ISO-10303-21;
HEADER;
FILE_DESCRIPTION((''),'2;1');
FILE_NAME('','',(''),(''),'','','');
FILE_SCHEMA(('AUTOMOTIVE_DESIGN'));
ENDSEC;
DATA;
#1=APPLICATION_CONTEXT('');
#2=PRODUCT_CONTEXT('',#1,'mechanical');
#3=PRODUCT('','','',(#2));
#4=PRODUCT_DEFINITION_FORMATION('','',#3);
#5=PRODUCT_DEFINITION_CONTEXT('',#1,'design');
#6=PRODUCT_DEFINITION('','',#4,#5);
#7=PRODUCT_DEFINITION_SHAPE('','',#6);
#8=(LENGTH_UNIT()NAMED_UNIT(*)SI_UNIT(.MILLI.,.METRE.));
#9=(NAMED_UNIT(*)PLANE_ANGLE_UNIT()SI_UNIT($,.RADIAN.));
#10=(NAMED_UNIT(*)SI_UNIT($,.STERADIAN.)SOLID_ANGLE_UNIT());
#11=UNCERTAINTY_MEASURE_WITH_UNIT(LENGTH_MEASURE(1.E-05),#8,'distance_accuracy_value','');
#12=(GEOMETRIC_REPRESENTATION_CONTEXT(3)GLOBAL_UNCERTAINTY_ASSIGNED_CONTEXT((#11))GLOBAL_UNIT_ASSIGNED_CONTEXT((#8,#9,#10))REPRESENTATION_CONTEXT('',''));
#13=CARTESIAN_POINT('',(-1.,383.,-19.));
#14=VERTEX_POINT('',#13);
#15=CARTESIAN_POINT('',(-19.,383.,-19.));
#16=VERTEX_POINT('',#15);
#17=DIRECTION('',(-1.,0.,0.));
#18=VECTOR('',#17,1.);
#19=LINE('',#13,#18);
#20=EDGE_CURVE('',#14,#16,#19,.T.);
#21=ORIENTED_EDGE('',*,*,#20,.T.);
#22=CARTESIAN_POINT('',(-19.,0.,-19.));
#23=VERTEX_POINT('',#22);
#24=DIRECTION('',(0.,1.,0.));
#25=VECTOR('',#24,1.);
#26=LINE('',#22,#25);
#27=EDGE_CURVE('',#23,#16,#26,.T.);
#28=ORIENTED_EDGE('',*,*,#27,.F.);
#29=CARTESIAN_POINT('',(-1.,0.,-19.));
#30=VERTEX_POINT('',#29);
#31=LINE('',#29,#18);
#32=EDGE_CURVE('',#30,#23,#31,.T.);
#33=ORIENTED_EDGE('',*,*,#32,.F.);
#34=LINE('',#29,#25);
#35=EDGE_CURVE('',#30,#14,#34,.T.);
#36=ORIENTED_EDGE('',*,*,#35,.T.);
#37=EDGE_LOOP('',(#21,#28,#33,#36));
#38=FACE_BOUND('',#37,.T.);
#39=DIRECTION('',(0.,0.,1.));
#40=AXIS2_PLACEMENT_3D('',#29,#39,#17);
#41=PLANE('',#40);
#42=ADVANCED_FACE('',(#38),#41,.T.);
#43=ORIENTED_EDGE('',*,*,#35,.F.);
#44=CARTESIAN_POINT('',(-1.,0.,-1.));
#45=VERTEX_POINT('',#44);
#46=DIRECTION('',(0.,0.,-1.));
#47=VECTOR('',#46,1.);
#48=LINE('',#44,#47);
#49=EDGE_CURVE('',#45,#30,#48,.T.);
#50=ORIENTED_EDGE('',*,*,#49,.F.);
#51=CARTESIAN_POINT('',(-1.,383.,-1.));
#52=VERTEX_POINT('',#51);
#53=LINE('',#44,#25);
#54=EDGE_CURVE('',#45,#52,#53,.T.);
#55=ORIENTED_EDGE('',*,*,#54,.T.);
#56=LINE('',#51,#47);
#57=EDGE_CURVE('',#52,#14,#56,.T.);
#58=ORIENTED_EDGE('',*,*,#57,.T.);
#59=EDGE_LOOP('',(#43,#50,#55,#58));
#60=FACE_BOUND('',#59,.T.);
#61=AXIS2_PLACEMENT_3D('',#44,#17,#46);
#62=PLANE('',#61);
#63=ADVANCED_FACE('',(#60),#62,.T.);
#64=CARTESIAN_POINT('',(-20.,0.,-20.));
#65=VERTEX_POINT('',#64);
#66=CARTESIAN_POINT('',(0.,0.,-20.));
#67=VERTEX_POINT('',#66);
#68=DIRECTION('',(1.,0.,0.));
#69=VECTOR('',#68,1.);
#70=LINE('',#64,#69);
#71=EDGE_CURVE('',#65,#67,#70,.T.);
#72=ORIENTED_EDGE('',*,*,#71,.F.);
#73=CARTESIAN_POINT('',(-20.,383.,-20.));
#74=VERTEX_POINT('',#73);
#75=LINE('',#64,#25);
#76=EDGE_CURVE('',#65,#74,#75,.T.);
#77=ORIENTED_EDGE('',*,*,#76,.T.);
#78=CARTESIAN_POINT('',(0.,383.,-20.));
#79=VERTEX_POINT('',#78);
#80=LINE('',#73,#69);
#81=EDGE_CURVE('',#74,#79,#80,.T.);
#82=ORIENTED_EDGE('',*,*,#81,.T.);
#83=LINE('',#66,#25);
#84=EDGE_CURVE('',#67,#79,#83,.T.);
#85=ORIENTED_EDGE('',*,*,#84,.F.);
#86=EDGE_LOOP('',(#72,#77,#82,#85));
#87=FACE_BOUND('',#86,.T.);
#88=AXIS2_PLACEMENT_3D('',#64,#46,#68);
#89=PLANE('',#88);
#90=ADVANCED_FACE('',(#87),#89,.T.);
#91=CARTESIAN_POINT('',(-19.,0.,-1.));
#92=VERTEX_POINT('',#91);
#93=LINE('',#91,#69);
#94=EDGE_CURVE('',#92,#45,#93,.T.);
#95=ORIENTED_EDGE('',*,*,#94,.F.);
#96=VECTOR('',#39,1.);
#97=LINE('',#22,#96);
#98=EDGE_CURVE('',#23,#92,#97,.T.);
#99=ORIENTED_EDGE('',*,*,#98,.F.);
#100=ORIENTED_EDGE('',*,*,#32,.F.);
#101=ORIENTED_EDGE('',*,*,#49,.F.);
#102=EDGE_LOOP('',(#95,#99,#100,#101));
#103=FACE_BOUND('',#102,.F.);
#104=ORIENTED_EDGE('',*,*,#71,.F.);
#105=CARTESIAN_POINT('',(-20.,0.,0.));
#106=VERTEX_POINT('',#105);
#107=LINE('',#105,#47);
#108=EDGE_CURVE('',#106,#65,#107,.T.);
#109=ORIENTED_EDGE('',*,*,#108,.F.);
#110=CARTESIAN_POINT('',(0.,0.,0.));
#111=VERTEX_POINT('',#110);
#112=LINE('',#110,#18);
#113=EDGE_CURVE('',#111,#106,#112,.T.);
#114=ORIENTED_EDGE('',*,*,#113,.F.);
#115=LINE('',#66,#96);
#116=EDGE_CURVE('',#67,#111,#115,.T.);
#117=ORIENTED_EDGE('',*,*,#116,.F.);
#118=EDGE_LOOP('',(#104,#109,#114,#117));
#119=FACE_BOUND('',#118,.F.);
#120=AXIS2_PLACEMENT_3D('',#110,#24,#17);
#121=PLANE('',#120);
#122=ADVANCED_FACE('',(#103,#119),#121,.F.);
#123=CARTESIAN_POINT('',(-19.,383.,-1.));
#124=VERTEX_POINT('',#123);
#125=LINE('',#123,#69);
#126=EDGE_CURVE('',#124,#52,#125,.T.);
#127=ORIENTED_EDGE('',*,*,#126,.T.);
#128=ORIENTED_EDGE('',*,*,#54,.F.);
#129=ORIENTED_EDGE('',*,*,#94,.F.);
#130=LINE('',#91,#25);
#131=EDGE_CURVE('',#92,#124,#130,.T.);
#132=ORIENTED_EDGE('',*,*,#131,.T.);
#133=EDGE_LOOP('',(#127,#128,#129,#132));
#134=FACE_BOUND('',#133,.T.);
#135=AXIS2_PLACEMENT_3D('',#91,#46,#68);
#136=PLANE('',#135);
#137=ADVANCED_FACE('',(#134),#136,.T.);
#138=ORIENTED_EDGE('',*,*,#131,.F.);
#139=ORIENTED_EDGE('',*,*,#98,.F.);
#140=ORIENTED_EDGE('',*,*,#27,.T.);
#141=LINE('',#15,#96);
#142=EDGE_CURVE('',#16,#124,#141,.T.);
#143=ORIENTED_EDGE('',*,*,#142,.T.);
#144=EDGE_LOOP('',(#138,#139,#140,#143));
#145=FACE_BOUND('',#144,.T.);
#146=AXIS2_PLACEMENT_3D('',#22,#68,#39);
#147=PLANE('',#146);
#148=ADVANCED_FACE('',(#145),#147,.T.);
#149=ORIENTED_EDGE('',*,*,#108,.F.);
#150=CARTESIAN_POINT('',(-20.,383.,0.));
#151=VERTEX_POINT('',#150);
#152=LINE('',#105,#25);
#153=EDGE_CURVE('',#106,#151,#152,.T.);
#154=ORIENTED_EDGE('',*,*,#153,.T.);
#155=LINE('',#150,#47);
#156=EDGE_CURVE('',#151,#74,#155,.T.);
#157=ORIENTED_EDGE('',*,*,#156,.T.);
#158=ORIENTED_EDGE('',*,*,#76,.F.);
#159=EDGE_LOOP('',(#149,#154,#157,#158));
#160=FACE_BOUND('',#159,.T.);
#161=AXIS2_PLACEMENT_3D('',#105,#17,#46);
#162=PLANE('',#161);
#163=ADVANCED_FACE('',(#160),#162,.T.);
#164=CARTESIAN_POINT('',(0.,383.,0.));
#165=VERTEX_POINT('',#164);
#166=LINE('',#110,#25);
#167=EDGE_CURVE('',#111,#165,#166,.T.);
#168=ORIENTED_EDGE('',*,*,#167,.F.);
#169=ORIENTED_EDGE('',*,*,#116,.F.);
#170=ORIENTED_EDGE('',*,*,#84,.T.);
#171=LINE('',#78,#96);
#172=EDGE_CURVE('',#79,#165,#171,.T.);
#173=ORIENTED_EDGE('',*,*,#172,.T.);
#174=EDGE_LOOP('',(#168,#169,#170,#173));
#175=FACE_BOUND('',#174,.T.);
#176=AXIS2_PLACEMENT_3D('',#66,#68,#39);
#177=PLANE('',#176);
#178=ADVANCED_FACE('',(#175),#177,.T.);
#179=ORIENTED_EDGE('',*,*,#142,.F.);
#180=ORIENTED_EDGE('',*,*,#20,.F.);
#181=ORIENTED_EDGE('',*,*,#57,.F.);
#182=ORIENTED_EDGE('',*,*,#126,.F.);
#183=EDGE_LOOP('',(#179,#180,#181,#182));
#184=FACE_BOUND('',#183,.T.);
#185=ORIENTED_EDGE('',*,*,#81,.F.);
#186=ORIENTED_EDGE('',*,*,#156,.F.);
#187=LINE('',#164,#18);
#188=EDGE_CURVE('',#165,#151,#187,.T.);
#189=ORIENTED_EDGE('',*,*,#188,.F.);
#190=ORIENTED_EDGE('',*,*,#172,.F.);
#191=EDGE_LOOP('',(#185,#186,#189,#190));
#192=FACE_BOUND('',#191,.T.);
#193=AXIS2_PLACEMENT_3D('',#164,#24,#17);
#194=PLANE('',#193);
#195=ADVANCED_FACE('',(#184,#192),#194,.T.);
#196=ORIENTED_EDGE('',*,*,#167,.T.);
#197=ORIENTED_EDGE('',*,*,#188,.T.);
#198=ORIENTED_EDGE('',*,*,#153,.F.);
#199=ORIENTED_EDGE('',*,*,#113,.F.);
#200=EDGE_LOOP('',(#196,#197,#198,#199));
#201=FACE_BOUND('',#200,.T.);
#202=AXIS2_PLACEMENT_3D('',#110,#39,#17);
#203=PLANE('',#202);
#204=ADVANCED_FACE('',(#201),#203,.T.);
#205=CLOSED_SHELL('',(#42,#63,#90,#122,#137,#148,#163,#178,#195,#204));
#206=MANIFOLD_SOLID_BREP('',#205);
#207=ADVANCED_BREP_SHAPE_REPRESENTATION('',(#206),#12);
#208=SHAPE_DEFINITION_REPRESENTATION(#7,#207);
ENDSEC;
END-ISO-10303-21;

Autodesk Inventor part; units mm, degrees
ref_plane "YZ Plane" through (0, 0, 0) normal (1, 0, 0) x (0, 1, 0)
ref_plane "XZ Plane" through (0, 0, 0) normal (0, 1, 0) x (-1, 0, 0)
ref_plane "XY Plane" through (0, 0, 0) normal (0, 0, 1) x (1, 0, 0)
sketch "Sketch1" plane through (0, 0, 0) normal (0, 1, 0) x (-1, 0, 0)
  line L0 (0, 0) -> (20, 0)
  line L1 (20, 0) -> (20, -20)
  line L2 (20, -20) -> (0, -20)
  line L3 (0, -20) -> (0, 0)
  line L4 (19, -1) -> (1, -1)
  line L5 (1, -1) -> (1, -19)
  line L6 (1, -19) -> (19, -19)
  line L7 (19, -19) -> (19, -1)
  dimension "d0" = 20
  dimension "d1" = 20
  dimension "d2" = 1
extrude "Extrusion1" add sketch "Sketch1" along normal blind 383
properties part number "Square_tube_arm"
